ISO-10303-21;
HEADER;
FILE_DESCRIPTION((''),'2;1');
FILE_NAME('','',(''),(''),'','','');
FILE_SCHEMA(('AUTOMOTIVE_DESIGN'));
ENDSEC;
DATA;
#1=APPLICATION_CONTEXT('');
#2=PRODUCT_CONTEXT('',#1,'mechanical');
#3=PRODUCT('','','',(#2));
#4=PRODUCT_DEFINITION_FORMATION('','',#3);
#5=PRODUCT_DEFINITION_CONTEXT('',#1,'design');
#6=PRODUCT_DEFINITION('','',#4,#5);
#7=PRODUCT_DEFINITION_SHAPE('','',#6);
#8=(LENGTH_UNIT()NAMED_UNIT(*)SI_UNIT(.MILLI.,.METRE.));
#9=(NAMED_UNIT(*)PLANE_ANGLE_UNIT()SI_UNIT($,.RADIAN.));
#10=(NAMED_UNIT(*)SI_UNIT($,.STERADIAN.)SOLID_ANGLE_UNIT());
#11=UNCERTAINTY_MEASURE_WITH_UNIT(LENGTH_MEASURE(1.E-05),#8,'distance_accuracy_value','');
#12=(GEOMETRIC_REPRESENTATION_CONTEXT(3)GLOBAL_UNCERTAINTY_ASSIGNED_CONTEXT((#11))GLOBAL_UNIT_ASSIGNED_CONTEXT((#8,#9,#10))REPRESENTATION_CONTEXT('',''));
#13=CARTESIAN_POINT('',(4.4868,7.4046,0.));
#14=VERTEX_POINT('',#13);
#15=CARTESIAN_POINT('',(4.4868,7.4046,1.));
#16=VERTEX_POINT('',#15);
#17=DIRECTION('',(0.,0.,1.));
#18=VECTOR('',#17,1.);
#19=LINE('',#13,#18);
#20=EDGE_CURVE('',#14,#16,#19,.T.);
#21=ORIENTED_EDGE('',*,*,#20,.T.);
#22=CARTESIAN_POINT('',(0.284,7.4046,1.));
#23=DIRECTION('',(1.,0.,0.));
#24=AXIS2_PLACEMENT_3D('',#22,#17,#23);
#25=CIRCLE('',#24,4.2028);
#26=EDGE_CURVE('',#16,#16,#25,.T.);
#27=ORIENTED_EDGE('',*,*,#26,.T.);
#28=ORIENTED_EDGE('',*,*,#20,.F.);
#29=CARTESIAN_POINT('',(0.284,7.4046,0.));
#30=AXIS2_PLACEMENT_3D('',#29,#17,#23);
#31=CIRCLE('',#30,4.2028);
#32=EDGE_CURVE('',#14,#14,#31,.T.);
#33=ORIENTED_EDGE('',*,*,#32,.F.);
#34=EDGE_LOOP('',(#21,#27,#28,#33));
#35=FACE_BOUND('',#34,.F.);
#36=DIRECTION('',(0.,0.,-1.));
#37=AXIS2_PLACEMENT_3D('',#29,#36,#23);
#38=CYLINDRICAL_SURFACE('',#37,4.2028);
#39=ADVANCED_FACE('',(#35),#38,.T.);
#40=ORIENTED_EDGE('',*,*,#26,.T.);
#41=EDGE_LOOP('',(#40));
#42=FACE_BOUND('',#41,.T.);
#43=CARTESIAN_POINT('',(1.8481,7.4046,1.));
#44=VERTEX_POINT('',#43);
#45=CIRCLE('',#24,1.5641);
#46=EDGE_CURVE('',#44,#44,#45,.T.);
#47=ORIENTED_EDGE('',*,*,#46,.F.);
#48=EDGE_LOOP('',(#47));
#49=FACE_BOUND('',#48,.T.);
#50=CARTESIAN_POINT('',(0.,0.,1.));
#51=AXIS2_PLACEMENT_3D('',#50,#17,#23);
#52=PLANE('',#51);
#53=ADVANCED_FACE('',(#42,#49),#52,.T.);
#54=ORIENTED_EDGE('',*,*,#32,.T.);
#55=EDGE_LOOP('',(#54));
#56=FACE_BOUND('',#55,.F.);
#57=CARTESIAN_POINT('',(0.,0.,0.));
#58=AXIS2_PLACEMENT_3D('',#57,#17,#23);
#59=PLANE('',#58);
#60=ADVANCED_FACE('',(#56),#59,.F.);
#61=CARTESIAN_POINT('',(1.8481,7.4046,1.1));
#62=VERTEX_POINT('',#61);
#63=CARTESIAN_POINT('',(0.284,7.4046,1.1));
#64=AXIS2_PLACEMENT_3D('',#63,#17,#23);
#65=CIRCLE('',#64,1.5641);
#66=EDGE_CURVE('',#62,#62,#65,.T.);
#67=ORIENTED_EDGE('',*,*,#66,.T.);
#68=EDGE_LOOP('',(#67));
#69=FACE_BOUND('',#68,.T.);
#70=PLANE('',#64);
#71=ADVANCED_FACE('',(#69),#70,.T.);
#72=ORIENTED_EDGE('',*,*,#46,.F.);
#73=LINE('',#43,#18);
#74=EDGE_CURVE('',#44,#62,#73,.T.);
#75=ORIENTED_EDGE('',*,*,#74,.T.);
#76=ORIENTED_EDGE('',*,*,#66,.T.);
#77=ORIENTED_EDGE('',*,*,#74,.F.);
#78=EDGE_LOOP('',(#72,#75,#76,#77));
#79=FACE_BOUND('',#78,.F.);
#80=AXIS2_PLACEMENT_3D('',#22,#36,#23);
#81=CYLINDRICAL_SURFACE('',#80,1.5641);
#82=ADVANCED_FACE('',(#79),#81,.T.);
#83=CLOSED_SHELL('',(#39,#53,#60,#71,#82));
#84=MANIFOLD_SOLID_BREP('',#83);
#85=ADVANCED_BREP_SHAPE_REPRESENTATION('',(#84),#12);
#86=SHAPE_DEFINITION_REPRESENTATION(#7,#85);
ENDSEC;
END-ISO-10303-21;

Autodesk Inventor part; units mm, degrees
ref_plane "YZ Plane" through (0, 0, 0) normal (1, 0, 0) x (0, 1, 0)
ref_plane "XZ Plane" through (0, 0, 0) normal (0, 1, 0) x (-1, 0, 0)
ref_plane "XY Plane" through (0, 0, 0) normal (0, 0, 1) x (1, 0, 0)
sketch "Sketch1" plane through (0, 0, 0) normal (0, 0, 1) x (1, 0, 0)
  circle A0 centre (0.284, 7.4046) radius 4.2028
  circle A1 centre (0.284, 7.4046) radius 1.3372
  point P0 (0, 0)
extrude "Extrusion1" add sketch "Sketch1" along normal blind 1 contours A0 | A1
sketch "Sketch2" plane through (0.284, 7.4046, 1) normal (0, 0, 1) x (1, 0, 0)
  circle A0 centre (0, 0) radius 1.5641
  point P0 (-0.284, -7.4046)
extrude "Extrusion2" add sketch "Sketch2" along normal blind 0.1
properties part number "piezo"
